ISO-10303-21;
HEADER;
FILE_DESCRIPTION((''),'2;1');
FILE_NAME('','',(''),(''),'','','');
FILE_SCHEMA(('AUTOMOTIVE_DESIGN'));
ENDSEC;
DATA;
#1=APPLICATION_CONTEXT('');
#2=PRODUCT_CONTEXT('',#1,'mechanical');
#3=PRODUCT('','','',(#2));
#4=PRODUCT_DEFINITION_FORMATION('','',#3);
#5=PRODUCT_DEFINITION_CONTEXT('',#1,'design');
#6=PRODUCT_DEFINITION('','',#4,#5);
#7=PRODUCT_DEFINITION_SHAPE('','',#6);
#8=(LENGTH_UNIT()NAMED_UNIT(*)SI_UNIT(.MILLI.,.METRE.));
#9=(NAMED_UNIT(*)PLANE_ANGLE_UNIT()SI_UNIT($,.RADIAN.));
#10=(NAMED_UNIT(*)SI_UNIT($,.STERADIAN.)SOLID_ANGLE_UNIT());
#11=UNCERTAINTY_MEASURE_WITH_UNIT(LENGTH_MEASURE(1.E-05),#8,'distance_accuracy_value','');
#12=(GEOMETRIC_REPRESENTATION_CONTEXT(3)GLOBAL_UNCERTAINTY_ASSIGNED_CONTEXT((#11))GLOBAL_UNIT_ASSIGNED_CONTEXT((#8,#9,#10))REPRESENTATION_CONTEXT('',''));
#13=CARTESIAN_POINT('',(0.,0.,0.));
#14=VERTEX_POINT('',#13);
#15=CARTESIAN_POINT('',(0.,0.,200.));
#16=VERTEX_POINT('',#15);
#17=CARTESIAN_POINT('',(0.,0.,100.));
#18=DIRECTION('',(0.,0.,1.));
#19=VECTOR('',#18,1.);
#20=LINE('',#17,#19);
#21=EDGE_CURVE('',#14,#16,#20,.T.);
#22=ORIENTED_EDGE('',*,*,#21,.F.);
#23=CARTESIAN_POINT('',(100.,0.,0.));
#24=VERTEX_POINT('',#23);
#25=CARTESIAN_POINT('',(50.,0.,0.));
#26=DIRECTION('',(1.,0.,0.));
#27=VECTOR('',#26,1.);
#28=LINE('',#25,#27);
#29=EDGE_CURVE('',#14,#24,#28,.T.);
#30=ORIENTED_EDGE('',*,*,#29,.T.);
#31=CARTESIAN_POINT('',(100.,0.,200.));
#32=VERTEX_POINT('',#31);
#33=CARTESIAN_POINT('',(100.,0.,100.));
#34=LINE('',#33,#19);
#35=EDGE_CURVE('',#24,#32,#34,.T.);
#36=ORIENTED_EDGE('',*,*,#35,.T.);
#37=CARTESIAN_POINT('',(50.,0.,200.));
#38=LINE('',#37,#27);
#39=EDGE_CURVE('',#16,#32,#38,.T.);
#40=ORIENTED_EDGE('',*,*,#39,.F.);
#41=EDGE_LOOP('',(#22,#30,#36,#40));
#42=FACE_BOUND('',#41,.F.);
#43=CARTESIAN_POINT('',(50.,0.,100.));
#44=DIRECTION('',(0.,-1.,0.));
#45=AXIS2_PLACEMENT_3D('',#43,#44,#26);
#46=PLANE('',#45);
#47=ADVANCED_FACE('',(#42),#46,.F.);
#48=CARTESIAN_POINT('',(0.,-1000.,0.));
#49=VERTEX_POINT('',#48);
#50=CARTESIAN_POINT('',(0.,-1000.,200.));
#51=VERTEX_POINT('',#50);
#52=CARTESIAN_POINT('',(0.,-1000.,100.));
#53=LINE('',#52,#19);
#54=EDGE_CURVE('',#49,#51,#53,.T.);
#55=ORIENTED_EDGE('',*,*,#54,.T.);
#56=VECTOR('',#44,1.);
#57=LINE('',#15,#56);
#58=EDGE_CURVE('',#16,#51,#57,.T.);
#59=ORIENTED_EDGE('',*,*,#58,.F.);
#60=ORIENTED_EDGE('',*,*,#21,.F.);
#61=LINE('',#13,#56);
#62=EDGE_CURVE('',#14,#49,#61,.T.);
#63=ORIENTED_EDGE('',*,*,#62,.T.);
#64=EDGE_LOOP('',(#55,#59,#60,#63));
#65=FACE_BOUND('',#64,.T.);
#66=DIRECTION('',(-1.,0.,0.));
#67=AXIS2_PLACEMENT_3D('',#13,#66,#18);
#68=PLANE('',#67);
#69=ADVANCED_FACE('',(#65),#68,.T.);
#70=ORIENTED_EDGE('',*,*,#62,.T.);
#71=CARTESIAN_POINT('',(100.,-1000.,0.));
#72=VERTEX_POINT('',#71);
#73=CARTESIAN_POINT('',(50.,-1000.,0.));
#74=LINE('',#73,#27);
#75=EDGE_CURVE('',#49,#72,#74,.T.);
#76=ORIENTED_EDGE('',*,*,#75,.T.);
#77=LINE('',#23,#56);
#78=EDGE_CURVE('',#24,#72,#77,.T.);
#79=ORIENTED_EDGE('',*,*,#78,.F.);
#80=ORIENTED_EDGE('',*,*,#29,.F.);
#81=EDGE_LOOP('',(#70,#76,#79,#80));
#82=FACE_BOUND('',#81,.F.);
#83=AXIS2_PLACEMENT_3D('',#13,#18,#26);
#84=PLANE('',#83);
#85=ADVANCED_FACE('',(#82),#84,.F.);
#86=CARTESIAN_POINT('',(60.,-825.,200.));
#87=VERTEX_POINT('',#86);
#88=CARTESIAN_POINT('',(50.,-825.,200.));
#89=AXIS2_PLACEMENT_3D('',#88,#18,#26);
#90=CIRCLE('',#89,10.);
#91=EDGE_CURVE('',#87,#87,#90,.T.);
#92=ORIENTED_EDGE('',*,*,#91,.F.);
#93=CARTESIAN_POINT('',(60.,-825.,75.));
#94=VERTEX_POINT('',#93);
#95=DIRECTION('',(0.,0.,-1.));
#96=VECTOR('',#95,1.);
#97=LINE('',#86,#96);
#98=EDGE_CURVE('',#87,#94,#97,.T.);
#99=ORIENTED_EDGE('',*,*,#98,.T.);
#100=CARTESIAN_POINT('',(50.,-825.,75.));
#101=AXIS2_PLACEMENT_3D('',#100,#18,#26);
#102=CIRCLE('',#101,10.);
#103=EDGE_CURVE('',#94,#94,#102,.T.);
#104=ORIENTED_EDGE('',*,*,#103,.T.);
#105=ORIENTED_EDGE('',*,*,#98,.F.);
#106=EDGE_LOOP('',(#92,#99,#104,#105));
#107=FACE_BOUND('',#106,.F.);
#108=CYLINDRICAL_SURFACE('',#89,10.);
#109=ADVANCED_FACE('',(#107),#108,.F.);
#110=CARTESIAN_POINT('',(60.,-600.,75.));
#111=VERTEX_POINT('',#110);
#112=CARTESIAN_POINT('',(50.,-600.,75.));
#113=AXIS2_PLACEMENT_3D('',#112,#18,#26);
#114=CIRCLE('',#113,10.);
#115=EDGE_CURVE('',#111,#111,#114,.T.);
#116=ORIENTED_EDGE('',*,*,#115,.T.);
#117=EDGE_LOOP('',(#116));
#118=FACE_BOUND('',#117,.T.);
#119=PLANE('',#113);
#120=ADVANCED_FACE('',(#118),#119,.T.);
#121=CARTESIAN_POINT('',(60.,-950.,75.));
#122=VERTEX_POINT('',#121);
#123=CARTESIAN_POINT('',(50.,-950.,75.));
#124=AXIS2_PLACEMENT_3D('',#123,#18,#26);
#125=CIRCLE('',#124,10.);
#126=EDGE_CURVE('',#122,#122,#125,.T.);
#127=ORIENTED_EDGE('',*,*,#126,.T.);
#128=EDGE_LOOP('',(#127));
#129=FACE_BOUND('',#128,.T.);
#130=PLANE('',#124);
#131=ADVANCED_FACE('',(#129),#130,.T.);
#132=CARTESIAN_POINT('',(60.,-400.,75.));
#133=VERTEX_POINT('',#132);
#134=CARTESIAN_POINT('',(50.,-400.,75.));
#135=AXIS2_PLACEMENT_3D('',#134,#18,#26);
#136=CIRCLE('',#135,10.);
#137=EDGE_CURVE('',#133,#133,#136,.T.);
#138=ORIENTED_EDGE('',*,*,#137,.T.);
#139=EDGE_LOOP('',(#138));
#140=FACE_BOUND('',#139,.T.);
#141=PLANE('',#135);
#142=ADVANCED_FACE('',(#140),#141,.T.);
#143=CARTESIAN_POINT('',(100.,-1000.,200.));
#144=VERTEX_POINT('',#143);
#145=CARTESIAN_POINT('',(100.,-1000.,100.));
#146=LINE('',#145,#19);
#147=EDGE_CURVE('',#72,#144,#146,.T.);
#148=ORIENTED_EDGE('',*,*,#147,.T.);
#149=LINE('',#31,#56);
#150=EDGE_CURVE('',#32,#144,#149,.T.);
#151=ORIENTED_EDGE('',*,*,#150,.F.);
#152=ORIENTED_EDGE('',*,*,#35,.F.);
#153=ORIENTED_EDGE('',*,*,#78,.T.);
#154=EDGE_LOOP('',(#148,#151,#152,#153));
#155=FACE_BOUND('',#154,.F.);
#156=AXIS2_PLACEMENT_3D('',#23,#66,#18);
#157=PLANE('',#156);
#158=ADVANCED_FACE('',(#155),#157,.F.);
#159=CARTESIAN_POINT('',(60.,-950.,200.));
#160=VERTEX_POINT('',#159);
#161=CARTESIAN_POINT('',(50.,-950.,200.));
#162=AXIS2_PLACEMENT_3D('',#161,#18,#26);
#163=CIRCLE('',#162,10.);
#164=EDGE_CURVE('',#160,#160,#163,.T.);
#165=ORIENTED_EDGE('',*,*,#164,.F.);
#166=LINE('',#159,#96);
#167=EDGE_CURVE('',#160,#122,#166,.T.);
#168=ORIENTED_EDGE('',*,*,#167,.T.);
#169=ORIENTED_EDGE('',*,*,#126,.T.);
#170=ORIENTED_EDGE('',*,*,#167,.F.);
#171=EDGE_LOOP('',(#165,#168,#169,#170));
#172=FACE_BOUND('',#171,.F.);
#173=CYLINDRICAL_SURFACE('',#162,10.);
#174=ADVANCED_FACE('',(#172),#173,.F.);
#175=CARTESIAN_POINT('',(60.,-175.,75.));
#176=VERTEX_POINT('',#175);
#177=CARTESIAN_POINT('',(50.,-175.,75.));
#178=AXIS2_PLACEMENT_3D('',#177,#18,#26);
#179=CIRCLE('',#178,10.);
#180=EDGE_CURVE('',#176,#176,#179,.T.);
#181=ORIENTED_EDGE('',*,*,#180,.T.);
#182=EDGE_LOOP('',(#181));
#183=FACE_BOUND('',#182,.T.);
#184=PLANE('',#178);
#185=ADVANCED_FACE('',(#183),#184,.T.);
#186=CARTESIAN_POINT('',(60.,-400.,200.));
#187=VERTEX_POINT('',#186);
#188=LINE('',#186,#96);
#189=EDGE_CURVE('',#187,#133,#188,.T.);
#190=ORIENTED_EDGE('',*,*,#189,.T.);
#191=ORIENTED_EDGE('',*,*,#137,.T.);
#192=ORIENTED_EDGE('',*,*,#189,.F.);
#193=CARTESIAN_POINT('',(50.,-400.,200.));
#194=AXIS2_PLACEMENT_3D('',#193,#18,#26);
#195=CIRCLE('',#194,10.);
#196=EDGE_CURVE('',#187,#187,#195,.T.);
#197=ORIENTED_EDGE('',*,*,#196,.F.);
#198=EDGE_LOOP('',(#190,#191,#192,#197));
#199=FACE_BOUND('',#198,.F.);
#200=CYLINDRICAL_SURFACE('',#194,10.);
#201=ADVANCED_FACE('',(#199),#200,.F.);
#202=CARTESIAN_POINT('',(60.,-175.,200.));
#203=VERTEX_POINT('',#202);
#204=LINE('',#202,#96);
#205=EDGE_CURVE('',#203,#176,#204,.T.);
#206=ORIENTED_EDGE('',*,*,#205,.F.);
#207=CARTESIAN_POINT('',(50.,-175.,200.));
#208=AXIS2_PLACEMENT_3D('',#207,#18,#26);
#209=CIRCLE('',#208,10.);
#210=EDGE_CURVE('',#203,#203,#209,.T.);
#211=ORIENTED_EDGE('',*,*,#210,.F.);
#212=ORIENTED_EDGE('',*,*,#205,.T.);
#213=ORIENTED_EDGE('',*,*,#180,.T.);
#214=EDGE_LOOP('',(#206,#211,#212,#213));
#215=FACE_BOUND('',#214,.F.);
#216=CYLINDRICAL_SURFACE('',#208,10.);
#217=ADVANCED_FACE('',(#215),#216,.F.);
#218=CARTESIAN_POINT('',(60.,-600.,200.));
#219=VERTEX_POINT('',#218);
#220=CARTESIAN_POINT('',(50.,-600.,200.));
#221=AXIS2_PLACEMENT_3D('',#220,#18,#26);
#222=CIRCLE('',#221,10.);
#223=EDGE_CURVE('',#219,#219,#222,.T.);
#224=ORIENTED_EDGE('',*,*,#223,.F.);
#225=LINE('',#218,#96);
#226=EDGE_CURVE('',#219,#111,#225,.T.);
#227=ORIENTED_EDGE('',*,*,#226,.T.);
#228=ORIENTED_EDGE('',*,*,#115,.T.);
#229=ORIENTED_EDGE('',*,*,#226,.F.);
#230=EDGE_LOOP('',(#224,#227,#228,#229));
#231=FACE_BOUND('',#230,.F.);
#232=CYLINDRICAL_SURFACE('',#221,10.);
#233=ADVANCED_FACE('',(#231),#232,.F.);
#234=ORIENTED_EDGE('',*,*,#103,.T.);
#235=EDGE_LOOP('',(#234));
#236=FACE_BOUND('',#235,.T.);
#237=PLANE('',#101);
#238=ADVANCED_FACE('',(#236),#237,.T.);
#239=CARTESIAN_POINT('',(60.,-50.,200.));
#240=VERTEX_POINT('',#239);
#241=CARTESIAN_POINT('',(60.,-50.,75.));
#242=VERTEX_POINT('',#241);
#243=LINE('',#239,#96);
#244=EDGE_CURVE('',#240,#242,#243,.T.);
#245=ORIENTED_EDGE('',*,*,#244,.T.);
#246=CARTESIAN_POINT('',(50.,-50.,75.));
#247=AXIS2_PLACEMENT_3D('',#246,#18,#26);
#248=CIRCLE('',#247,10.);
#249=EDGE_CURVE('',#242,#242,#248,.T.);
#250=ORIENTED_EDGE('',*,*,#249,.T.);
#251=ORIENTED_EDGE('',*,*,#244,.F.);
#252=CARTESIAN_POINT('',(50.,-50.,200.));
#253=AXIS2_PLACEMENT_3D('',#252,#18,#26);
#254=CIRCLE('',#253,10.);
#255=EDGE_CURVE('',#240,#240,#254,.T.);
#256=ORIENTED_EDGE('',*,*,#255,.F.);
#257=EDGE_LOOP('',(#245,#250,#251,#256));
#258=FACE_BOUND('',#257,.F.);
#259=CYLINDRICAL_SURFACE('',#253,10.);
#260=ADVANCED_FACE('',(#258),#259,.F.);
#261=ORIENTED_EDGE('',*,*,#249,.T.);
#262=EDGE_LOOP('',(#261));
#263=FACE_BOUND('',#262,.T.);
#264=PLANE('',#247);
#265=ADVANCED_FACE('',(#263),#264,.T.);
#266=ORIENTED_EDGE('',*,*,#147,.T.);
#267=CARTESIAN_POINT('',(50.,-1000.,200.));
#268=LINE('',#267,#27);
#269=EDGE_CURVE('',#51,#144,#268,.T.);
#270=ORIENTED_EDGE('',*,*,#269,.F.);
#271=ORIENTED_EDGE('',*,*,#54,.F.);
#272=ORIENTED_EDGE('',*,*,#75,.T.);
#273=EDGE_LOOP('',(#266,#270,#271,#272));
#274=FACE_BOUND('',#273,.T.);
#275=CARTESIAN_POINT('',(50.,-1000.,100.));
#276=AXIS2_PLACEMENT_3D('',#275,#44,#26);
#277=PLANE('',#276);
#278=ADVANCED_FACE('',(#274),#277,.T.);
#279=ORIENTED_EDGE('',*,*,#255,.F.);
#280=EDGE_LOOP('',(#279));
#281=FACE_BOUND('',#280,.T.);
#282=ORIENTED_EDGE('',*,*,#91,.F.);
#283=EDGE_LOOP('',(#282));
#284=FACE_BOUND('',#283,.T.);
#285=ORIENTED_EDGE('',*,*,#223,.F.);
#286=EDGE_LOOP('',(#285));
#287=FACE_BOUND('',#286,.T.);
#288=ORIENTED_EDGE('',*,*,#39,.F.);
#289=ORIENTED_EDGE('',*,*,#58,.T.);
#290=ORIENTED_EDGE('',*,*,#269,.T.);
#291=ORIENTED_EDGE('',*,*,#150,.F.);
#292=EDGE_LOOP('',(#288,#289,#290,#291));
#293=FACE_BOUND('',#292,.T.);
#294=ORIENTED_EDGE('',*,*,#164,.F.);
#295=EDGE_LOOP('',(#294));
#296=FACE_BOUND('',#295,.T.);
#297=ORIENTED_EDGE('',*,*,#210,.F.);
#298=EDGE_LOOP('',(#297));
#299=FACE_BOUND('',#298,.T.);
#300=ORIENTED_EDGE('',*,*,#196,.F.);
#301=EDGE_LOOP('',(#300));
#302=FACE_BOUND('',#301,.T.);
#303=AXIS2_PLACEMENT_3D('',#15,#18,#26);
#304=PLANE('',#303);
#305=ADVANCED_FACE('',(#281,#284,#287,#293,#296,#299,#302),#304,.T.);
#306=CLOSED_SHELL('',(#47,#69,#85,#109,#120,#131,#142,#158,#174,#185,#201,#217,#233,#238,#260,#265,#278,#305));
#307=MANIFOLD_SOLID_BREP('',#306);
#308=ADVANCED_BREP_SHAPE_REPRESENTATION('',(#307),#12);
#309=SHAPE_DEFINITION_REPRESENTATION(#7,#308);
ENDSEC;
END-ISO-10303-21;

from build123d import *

# Parameters (mm, degrees)
F0_W     = 100
F0_H     = 200
F1_DEPTH = 1000
F2_R     = 10
F3_DEPTH = 125


with BuildPart() as f1:
    # F0 (on Front) → F1 (new body)
    with BuildSketch(Plane.XZ):
        with Locations((50, 100)):
            Rectangle(F0_W, F0_H)
    extrude(amount=F1_DEPTH)

    # F2 (on face) → F3 (cut)
    with BuildSketch(Plane.XY.offset(200)):
        with Locations((50, -50)):
            Circle(F2_R)
        with Locations((50, -175)):
            Circle(F2_R)
        with Locations((50, -400)):
            Circle(F2_R)
        with Locations((50, -600)):
            Circle(F2_R)
        with Locations((50, -950)):
            Circle(F2_R)
        with Locations((50, -825)):
            Circle(F2_R)
    extrude(amount=-F3_DEPTH, mode=Mode.SUBTRACT)


solid = f1.part
